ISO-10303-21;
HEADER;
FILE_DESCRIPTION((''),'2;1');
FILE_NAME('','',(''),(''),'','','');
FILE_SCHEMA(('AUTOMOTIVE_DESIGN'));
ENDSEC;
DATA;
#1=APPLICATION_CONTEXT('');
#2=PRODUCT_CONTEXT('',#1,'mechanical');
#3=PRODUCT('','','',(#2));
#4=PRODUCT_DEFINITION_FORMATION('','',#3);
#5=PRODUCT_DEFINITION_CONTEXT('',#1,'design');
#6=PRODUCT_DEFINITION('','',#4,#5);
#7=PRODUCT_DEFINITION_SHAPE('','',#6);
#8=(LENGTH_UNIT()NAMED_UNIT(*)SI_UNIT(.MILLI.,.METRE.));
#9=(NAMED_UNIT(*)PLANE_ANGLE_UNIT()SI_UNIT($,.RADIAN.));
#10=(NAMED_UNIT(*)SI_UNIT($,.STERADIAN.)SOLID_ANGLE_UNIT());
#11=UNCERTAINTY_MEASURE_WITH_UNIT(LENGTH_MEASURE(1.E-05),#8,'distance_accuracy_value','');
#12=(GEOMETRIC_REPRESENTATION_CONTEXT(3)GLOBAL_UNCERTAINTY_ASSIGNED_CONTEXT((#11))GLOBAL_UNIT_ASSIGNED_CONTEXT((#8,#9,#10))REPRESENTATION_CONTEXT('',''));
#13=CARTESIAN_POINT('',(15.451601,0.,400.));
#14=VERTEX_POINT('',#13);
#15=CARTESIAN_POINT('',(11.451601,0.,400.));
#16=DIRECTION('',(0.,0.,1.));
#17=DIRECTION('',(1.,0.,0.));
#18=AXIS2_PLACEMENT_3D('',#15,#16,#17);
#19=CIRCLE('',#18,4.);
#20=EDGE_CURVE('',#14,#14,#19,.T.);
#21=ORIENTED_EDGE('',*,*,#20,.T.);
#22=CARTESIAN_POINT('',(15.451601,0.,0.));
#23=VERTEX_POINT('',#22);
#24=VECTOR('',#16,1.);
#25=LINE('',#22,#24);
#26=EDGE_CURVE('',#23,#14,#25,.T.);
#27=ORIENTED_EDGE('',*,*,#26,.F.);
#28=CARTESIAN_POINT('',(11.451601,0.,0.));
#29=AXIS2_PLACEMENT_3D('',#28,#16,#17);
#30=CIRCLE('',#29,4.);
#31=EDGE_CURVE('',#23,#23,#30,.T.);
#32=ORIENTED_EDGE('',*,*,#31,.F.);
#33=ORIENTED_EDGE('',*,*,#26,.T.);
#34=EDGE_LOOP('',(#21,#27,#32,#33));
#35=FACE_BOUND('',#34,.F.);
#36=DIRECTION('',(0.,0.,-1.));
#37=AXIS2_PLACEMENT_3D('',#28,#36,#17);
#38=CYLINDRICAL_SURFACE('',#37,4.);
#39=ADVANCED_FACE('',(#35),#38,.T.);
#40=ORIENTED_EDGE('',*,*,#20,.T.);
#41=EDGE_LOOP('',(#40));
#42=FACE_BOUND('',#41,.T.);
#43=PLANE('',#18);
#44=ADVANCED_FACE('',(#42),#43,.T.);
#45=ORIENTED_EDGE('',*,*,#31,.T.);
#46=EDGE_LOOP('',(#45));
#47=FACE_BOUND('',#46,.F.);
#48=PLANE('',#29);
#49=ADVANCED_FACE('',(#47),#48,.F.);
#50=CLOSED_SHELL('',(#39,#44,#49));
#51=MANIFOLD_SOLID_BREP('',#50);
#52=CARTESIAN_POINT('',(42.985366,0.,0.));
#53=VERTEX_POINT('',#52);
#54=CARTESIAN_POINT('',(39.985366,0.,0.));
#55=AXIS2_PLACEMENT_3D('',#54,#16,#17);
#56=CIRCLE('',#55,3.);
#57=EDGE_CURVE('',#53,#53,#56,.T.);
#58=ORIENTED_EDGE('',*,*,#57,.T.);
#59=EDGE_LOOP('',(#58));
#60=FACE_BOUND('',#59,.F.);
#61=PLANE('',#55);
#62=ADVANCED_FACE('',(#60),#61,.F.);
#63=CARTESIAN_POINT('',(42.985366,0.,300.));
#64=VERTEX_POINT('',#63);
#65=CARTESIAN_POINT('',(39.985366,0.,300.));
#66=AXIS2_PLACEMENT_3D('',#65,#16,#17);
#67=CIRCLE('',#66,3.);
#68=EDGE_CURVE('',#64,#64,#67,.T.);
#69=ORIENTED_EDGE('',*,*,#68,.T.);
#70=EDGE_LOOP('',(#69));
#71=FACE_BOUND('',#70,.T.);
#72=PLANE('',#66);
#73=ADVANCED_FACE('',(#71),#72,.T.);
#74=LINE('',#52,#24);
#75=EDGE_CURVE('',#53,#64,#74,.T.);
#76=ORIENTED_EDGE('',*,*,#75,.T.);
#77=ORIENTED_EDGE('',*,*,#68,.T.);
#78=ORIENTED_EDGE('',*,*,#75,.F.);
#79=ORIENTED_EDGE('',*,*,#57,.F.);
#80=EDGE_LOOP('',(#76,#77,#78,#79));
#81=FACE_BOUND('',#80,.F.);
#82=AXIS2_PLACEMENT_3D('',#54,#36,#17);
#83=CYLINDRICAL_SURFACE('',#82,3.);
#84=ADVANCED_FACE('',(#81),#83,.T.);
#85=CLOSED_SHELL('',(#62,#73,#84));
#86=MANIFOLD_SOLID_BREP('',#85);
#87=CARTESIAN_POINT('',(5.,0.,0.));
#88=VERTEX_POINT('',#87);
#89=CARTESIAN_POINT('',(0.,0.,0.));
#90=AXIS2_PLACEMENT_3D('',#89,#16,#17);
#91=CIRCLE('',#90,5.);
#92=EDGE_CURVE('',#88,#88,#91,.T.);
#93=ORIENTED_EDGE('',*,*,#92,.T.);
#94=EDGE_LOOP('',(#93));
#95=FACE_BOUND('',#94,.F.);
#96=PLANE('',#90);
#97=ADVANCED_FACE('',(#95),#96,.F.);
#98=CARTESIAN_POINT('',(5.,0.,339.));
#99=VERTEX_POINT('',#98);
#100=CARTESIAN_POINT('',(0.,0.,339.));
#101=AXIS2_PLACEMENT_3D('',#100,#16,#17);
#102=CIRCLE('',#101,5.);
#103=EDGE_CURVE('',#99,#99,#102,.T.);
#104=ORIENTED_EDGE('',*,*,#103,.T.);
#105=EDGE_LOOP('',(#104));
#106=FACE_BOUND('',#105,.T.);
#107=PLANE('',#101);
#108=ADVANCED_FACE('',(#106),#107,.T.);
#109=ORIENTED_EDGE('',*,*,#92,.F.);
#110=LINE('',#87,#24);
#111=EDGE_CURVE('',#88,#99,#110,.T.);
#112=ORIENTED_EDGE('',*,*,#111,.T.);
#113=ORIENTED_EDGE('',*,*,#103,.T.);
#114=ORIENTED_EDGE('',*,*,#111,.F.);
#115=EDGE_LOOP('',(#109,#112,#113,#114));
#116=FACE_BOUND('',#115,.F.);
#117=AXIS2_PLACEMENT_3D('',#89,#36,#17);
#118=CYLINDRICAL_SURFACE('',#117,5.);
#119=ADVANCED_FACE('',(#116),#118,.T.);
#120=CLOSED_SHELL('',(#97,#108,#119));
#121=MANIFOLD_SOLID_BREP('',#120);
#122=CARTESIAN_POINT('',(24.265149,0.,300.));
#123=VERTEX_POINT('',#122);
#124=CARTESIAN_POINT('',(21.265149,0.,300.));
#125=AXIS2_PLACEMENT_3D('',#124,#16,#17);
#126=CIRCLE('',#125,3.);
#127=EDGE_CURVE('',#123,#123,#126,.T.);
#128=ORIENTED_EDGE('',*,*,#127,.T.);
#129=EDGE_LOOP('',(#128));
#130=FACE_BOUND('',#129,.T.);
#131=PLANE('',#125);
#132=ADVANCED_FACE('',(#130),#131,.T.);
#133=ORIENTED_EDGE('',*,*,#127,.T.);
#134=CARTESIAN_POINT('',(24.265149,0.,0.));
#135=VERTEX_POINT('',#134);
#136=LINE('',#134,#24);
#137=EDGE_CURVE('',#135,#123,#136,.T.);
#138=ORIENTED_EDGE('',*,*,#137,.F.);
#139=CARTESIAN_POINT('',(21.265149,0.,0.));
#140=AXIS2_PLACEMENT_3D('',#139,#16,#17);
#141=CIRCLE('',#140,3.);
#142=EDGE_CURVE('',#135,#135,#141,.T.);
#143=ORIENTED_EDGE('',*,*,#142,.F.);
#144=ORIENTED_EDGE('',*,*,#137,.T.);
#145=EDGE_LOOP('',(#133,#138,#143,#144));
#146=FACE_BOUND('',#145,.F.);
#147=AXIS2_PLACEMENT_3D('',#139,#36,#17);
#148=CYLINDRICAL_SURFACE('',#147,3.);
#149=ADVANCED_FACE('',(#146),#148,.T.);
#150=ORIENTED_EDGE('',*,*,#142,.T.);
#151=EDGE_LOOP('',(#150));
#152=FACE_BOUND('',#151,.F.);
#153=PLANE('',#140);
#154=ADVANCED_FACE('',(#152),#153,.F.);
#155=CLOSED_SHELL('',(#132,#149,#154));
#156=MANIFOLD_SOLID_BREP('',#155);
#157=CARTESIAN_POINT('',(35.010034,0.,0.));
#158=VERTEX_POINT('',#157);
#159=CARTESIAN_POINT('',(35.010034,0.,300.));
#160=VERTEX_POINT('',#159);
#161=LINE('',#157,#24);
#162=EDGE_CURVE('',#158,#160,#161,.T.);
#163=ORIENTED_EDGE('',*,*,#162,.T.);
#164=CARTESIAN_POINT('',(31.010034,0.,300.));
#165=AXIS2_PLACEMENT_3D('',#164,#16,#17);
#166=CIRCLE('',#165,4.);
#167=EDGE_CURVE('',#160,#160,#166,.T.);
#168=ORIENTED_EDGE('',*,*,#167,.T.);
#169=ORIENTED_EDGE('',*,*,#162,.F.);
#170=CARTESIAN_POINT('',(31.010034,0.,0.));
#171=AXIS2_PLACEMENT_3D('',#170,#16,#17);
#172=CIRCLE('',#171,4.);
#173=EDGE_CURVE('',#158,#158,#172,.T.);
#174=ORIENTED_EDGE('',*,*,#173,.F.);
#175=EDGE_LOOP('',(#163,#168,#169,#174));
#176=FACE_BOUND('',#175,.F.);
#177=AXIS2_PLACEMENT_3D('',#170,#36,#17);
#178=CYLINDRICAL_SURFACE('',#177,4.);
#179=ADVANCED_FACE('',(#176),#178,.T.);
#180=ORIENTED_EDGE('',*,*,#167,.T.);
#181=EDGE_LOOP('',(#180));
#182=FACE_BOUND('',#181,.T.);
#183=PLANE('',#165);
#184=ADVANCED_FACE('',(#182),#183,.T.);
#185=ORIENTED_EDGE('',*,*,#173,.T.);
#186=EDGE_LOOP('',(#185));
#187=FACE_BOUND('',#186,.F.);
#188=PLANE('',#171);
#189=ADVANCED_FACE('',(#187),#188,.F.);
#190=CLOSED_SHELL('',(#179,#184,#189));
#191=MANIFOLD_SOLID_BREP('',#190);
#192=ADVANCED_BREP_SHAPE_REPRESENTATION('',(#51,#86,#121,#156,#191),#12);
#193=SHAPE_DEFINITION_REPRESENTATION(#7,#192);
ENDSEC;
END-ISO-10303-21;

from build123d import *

# Parameters (mm, degrees)
F0_R     = 5
F1_DEPTH = 339
F0_R_2   = 4
F2_DEPTH = 300
F0_R_3   = 3
F3_DEPTH = 300
F4_DEPTH = 400
F5_DEPTH = 300


with BuildPart() as f1:
    # F0 (on Top) → F1 (new body)
    with BuildSketch(Plane.XY):
        Circle(F0_R)
    extrude(amount=F1_DEPTH)


with BuildPart() as f2:
    # F0 (on Top) → F2 (new body)
    with BuildSketch(Plane.XY):
        with Locations((31.010034, 0)):
            Circle(F0_R_2)
    extrude(amount=F2_DEPTH)


with BuildPart() as f3:
    # F0 (on Top) → F3 (new body)
    with BuildSketch(Plane.XY):
        with Locations((39.985366, 0)):
            Circle(F0_R_3)
    extrude(amount=F3_DEPTH)


with BuildPart() as f4:
    # F0 (on Top) → F4 (new body)
    with BuildSketch(Plane.XY):
        with Locations((11.451601, 0)):
            Circle(F0_R_2)
    extrude(amount=F4_DEPTH)


with BuildPart() as f5:
    # F0 (on Top) → F5 (new body)
    with BuildSketch(Plane.XY):
        with Locations((21.265149, 0)):
            Circle(F0_R_3)
    extrude(amount=F5_DEPTH)


solid = Compound([f1.part, f2.part, f3.part, f4.part, f5.part])
